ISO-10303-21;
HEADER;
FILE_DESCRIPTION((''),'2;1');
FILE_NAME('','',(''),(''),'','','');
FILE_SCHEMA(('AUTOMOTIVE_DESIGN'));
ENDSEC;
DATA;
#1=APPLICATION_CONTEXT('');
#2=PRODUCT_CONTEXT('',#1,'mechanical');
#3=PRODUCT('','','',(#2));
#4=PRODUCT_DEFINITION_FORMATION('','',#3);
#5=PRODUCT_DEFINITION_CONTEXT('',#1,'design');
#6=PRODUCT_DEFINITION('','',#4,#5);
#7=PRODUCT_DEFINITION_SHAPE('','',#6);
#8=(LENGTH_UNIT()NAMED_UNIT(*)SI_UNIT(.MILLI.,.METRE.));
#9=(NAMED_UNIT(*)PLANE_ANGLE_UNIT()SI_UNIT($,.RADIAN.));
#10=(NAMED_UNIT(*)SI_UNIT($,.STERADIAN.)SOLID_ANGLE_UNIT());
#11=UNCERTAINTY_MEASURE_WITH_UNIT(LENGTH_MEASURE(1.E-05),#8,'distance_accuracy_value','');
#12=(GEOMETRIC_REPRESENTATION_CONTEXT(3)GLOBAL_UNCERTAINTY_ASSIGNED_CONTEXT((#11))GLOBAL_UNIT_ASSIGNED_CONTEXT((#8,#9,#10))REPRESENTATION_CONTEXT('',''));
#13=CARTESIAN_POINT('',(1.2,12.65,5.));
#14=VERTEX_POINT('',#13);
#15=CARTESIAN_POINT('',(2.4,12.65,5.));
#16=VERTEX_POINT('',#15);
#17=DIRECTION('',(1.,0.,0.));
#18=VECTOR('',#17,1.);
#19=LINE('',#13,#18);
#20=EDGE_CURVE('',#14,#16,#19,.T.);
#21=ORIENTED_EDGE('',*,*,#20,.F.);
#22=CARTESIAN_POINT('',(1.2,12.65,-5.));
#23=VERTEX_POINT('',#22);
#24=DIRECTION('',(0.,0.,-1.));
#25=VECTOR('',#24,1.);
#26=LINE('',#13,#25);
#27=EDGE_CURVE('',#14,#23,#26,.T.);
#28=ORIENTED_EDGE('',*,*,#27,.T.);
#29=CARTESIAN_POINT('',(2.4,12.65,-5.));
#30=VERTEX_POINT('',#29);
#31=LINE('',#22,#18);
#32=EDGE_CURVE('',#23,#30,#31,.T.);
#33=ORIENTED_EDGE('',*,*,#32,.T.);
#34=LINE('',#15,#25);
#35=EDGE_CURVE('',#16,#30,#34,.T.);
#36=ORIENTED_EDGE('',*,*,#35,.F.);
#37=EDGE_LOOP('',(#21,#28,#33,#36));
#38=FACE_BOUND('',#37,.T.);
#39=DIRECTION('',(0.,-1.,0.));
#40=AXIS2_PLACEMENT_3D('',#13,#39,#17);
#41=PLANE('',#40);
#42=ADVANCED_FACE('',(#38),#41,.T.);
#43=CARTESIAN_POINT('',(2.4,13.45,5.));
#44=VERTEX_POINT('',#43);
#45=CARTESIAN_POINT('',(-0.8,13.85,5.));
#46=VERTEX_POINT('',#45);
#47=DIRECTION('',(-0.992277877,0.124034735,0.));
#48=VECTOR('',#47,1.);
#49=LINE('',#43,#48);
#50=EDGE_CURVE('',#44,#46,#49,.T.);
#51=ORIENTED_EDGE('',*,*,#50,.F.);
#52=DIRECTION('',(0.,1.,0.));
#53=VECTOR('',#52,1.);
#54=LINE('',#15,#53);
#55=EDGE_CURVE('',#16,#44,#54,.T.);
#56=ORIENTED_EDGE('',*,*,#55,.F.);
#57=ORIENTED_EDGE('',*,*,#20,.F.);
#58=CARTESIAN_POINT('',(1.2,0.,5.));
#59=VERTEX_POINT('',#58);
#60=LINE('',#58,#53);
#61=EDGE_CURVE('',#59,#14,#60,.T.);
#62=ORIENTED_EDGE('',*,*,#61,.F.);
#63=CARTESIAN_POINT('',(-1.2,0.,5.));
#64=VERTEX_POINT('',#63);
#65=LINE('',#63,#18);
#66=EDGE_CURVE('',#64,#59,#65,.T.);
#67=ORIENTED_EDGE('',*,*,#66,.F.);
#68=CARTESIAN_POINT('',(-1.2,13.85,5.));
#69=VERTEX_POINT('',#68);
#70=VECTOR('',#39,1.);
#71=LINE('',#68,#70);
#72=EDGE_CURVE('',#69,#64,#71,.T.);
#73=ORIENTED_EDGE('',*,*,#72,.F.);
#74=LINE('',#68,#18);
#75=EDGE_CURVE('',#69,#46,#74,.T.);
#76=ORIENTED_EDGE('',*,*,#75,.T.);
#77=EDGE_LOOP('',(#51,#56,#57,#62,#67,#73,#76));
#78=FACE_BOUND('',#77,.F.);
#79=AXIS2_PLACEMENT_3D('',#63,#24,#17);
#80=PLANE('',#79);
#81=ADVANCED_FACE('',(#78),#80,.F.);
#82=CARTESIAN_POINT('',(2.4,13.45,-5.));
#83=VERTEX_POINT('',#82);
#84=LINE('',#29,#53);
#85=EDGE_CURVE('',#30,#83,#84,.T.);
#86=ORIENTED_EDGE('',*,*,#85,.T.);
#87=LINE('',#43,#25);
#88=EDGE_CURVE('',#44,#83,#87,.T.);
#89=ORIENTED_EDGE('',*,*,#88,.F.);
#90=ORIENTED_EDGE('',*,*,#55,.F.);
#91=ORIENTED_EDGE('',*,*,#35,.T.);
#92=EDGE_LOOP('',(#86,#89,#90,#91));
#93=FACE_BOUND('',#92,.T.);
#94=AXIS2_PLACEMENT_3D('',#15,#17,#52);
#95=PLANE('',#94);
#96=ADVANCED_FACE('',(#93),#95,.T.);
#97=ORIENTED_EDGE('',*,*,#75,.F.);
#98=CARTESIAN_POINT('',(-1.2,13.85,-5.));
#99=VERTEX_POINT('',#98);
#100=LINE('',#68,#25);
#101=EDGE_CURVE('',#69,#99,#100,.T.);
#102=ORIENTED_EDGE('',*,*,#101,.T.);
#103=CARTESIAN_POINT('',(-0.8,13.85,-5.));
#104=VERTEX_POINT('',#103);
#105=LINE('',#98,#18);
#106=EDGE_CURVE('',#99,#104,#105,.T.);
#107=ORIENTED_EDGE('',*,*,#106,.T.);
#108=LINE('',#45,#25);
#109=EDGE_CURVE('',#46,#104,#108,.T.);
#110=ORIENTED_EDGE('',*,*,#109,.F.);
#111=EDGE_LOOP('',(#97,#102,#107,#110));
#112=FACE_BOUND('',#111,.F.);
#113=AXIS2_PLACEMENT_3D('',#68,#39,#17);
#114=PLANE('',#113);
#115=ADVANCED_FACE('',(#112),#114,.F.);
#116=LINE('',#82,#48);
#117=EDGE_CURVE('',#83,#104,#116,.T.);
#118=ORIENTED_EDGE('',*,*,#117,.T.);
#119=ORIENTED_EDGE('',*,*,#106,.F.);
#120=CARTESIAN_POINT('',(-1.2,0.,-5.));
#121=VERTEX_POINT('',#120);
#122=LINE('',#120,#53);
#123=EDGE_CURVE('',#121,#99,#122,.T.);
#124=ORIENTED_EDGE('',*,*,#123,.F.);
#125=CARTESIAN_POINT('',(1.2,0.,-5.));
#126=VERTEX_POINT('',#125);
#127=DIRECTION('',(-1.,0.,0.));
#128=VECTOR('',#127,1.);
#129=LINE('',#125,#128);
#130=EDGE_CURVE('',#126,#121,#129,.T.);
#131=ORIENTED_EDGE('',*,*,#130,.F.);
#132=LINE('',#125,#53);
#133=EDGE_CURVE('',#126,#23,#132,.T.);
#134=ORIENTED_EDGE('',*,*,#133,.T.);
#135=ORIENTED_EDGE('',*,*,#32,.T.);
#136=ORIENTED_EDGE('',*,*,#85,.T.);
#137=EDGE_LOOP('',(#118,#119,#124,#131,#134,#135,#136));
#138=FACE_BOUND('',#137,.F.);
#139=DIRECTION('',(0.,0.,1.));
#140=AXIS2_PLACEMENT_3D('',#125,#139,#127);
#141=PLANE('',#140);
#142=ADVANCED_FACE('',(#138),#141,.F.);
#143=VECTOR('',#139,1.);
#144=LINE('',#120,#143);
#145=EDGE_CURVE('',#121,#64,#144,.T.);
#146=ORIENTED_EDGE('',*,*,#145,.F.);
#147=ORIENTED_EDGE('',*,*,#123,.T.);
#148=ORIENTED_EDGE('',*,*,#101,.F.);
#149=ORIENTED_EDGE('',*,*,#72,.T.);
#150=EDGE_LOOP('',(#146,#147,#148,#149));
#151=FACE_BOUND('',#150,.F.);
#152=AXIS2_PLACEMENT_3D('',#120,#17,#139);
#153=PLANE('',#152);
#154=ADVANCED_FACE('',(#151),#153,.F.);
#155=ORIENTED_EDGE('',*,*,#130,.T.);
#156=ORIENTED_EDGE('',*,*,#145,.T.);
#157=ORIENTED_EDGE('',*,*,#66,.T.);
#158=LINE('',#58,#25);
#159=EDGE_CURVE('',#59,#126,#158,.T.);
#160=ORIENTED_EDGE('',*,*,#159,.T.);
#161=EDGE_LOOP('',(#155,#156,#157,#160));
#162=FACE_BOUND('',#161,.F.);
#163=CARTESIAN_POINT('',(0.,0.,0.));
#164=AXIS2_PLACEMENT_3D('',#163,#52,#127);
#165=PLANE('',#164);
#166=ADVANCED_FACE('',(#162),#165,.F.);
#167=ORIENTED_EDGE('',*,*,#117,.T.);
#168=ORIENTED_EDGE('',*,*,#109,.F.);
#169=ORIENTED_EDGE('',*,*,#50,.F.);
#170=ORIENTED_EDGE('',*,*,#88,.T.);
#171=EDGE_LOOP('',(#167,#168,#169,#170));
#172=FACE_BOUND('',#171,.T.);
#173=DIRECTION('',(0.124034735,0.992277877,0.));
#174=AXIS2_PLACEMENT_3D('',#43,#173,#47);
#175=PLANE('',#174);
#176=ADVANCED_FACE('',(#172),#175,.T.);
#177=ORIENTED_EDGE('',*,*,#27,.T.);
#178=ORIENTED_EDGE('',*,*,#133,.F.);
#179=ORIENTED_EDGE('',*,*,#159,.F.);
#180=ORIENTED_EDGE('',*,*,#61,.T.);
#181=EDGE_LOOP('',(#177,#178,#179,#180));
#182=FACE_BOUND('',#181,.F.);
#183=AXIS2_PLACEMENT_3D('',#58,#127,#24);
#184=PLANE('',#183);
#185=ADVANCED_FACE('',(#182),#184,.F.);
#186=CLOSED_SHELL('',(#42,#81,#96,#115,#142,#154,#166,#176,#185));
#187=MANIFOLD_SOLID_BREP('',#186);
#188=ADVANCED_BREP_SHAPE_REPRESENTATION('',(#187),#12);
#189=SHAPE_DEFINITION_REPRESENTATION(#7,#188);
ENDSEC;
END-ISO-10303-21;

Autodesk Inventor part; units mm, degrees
ref_plane "YZ Plane" through (0, 0, 0) normal (1, 0, 0) x (0, 1, 0)
ref_plane "XZ Plane" through (0, 0, 0) normal (0, 1, 0) x (-1, 0, 0)
ref_plane "XY Plane" through (0, 0, 0) normal (0, 0, 1) x (1, 0, 0)
sketch "Sketch1" plane through (0, 0, 0) normal (0, 1, 0) x (-1, 0, 0)
  line L0 (-1.2, -5) -> (1.2, -5)
  line L1 (1.2, -5) -> (1.2, 5)
  line L2 (1.2, 5) -> (-1.2, 5)
  line L3 (-1.2, 5) -> (-1.2, -5)
  line L4 (-1.2, -5) -> (1.2, 5) construction
  line L5 (1.2, -5) -> (-1.2, 5) construction
  point P0 (0, 0)
  dimension "length" = 10
  dimension "width" = 2.4
extrude "Extrusion1" add sketch "Sketch1" along normal blind 12.65
sketch "Sketch3" plane through (-1.2, 0, 5) normal (0, 0, 1) x (1, 0, 0)
  line L0 (2.4, 12.65) -> (3.6, 12.65)
  line L1 (3.6, 12.65) -> (3.6, 13.45)
  line L2 (0, 13.85) -> (0.4, 13.85)
  line L3 (3.6, 13.45) -> (0.4, 13.85)
  line L4 (0, 13.85) -> (0, 12.65)
  line L5 (2.4, 12.65) -> (0, 12.65) projected
  line L6 (0, 12.65) -> (2.4, 12.65)
  line L7 (0, 0) -> (0, 12.65) projected
  line L8 (2.4, 0) -> (2.4, 12.65) projected
  point P0 (1.2, 0)
  dimension "fixer" = 1.2
  dimension "d8" = 0.8
  dimension "d11" = 0.4
  dimension "d12" = 1.2
extrude "Extrusion2" add sketch "Sketch3" against normal blind 10
equation "\"d6\" = length"
equation "\"TOL\" = 0.15"
properties part number "straightrib"
